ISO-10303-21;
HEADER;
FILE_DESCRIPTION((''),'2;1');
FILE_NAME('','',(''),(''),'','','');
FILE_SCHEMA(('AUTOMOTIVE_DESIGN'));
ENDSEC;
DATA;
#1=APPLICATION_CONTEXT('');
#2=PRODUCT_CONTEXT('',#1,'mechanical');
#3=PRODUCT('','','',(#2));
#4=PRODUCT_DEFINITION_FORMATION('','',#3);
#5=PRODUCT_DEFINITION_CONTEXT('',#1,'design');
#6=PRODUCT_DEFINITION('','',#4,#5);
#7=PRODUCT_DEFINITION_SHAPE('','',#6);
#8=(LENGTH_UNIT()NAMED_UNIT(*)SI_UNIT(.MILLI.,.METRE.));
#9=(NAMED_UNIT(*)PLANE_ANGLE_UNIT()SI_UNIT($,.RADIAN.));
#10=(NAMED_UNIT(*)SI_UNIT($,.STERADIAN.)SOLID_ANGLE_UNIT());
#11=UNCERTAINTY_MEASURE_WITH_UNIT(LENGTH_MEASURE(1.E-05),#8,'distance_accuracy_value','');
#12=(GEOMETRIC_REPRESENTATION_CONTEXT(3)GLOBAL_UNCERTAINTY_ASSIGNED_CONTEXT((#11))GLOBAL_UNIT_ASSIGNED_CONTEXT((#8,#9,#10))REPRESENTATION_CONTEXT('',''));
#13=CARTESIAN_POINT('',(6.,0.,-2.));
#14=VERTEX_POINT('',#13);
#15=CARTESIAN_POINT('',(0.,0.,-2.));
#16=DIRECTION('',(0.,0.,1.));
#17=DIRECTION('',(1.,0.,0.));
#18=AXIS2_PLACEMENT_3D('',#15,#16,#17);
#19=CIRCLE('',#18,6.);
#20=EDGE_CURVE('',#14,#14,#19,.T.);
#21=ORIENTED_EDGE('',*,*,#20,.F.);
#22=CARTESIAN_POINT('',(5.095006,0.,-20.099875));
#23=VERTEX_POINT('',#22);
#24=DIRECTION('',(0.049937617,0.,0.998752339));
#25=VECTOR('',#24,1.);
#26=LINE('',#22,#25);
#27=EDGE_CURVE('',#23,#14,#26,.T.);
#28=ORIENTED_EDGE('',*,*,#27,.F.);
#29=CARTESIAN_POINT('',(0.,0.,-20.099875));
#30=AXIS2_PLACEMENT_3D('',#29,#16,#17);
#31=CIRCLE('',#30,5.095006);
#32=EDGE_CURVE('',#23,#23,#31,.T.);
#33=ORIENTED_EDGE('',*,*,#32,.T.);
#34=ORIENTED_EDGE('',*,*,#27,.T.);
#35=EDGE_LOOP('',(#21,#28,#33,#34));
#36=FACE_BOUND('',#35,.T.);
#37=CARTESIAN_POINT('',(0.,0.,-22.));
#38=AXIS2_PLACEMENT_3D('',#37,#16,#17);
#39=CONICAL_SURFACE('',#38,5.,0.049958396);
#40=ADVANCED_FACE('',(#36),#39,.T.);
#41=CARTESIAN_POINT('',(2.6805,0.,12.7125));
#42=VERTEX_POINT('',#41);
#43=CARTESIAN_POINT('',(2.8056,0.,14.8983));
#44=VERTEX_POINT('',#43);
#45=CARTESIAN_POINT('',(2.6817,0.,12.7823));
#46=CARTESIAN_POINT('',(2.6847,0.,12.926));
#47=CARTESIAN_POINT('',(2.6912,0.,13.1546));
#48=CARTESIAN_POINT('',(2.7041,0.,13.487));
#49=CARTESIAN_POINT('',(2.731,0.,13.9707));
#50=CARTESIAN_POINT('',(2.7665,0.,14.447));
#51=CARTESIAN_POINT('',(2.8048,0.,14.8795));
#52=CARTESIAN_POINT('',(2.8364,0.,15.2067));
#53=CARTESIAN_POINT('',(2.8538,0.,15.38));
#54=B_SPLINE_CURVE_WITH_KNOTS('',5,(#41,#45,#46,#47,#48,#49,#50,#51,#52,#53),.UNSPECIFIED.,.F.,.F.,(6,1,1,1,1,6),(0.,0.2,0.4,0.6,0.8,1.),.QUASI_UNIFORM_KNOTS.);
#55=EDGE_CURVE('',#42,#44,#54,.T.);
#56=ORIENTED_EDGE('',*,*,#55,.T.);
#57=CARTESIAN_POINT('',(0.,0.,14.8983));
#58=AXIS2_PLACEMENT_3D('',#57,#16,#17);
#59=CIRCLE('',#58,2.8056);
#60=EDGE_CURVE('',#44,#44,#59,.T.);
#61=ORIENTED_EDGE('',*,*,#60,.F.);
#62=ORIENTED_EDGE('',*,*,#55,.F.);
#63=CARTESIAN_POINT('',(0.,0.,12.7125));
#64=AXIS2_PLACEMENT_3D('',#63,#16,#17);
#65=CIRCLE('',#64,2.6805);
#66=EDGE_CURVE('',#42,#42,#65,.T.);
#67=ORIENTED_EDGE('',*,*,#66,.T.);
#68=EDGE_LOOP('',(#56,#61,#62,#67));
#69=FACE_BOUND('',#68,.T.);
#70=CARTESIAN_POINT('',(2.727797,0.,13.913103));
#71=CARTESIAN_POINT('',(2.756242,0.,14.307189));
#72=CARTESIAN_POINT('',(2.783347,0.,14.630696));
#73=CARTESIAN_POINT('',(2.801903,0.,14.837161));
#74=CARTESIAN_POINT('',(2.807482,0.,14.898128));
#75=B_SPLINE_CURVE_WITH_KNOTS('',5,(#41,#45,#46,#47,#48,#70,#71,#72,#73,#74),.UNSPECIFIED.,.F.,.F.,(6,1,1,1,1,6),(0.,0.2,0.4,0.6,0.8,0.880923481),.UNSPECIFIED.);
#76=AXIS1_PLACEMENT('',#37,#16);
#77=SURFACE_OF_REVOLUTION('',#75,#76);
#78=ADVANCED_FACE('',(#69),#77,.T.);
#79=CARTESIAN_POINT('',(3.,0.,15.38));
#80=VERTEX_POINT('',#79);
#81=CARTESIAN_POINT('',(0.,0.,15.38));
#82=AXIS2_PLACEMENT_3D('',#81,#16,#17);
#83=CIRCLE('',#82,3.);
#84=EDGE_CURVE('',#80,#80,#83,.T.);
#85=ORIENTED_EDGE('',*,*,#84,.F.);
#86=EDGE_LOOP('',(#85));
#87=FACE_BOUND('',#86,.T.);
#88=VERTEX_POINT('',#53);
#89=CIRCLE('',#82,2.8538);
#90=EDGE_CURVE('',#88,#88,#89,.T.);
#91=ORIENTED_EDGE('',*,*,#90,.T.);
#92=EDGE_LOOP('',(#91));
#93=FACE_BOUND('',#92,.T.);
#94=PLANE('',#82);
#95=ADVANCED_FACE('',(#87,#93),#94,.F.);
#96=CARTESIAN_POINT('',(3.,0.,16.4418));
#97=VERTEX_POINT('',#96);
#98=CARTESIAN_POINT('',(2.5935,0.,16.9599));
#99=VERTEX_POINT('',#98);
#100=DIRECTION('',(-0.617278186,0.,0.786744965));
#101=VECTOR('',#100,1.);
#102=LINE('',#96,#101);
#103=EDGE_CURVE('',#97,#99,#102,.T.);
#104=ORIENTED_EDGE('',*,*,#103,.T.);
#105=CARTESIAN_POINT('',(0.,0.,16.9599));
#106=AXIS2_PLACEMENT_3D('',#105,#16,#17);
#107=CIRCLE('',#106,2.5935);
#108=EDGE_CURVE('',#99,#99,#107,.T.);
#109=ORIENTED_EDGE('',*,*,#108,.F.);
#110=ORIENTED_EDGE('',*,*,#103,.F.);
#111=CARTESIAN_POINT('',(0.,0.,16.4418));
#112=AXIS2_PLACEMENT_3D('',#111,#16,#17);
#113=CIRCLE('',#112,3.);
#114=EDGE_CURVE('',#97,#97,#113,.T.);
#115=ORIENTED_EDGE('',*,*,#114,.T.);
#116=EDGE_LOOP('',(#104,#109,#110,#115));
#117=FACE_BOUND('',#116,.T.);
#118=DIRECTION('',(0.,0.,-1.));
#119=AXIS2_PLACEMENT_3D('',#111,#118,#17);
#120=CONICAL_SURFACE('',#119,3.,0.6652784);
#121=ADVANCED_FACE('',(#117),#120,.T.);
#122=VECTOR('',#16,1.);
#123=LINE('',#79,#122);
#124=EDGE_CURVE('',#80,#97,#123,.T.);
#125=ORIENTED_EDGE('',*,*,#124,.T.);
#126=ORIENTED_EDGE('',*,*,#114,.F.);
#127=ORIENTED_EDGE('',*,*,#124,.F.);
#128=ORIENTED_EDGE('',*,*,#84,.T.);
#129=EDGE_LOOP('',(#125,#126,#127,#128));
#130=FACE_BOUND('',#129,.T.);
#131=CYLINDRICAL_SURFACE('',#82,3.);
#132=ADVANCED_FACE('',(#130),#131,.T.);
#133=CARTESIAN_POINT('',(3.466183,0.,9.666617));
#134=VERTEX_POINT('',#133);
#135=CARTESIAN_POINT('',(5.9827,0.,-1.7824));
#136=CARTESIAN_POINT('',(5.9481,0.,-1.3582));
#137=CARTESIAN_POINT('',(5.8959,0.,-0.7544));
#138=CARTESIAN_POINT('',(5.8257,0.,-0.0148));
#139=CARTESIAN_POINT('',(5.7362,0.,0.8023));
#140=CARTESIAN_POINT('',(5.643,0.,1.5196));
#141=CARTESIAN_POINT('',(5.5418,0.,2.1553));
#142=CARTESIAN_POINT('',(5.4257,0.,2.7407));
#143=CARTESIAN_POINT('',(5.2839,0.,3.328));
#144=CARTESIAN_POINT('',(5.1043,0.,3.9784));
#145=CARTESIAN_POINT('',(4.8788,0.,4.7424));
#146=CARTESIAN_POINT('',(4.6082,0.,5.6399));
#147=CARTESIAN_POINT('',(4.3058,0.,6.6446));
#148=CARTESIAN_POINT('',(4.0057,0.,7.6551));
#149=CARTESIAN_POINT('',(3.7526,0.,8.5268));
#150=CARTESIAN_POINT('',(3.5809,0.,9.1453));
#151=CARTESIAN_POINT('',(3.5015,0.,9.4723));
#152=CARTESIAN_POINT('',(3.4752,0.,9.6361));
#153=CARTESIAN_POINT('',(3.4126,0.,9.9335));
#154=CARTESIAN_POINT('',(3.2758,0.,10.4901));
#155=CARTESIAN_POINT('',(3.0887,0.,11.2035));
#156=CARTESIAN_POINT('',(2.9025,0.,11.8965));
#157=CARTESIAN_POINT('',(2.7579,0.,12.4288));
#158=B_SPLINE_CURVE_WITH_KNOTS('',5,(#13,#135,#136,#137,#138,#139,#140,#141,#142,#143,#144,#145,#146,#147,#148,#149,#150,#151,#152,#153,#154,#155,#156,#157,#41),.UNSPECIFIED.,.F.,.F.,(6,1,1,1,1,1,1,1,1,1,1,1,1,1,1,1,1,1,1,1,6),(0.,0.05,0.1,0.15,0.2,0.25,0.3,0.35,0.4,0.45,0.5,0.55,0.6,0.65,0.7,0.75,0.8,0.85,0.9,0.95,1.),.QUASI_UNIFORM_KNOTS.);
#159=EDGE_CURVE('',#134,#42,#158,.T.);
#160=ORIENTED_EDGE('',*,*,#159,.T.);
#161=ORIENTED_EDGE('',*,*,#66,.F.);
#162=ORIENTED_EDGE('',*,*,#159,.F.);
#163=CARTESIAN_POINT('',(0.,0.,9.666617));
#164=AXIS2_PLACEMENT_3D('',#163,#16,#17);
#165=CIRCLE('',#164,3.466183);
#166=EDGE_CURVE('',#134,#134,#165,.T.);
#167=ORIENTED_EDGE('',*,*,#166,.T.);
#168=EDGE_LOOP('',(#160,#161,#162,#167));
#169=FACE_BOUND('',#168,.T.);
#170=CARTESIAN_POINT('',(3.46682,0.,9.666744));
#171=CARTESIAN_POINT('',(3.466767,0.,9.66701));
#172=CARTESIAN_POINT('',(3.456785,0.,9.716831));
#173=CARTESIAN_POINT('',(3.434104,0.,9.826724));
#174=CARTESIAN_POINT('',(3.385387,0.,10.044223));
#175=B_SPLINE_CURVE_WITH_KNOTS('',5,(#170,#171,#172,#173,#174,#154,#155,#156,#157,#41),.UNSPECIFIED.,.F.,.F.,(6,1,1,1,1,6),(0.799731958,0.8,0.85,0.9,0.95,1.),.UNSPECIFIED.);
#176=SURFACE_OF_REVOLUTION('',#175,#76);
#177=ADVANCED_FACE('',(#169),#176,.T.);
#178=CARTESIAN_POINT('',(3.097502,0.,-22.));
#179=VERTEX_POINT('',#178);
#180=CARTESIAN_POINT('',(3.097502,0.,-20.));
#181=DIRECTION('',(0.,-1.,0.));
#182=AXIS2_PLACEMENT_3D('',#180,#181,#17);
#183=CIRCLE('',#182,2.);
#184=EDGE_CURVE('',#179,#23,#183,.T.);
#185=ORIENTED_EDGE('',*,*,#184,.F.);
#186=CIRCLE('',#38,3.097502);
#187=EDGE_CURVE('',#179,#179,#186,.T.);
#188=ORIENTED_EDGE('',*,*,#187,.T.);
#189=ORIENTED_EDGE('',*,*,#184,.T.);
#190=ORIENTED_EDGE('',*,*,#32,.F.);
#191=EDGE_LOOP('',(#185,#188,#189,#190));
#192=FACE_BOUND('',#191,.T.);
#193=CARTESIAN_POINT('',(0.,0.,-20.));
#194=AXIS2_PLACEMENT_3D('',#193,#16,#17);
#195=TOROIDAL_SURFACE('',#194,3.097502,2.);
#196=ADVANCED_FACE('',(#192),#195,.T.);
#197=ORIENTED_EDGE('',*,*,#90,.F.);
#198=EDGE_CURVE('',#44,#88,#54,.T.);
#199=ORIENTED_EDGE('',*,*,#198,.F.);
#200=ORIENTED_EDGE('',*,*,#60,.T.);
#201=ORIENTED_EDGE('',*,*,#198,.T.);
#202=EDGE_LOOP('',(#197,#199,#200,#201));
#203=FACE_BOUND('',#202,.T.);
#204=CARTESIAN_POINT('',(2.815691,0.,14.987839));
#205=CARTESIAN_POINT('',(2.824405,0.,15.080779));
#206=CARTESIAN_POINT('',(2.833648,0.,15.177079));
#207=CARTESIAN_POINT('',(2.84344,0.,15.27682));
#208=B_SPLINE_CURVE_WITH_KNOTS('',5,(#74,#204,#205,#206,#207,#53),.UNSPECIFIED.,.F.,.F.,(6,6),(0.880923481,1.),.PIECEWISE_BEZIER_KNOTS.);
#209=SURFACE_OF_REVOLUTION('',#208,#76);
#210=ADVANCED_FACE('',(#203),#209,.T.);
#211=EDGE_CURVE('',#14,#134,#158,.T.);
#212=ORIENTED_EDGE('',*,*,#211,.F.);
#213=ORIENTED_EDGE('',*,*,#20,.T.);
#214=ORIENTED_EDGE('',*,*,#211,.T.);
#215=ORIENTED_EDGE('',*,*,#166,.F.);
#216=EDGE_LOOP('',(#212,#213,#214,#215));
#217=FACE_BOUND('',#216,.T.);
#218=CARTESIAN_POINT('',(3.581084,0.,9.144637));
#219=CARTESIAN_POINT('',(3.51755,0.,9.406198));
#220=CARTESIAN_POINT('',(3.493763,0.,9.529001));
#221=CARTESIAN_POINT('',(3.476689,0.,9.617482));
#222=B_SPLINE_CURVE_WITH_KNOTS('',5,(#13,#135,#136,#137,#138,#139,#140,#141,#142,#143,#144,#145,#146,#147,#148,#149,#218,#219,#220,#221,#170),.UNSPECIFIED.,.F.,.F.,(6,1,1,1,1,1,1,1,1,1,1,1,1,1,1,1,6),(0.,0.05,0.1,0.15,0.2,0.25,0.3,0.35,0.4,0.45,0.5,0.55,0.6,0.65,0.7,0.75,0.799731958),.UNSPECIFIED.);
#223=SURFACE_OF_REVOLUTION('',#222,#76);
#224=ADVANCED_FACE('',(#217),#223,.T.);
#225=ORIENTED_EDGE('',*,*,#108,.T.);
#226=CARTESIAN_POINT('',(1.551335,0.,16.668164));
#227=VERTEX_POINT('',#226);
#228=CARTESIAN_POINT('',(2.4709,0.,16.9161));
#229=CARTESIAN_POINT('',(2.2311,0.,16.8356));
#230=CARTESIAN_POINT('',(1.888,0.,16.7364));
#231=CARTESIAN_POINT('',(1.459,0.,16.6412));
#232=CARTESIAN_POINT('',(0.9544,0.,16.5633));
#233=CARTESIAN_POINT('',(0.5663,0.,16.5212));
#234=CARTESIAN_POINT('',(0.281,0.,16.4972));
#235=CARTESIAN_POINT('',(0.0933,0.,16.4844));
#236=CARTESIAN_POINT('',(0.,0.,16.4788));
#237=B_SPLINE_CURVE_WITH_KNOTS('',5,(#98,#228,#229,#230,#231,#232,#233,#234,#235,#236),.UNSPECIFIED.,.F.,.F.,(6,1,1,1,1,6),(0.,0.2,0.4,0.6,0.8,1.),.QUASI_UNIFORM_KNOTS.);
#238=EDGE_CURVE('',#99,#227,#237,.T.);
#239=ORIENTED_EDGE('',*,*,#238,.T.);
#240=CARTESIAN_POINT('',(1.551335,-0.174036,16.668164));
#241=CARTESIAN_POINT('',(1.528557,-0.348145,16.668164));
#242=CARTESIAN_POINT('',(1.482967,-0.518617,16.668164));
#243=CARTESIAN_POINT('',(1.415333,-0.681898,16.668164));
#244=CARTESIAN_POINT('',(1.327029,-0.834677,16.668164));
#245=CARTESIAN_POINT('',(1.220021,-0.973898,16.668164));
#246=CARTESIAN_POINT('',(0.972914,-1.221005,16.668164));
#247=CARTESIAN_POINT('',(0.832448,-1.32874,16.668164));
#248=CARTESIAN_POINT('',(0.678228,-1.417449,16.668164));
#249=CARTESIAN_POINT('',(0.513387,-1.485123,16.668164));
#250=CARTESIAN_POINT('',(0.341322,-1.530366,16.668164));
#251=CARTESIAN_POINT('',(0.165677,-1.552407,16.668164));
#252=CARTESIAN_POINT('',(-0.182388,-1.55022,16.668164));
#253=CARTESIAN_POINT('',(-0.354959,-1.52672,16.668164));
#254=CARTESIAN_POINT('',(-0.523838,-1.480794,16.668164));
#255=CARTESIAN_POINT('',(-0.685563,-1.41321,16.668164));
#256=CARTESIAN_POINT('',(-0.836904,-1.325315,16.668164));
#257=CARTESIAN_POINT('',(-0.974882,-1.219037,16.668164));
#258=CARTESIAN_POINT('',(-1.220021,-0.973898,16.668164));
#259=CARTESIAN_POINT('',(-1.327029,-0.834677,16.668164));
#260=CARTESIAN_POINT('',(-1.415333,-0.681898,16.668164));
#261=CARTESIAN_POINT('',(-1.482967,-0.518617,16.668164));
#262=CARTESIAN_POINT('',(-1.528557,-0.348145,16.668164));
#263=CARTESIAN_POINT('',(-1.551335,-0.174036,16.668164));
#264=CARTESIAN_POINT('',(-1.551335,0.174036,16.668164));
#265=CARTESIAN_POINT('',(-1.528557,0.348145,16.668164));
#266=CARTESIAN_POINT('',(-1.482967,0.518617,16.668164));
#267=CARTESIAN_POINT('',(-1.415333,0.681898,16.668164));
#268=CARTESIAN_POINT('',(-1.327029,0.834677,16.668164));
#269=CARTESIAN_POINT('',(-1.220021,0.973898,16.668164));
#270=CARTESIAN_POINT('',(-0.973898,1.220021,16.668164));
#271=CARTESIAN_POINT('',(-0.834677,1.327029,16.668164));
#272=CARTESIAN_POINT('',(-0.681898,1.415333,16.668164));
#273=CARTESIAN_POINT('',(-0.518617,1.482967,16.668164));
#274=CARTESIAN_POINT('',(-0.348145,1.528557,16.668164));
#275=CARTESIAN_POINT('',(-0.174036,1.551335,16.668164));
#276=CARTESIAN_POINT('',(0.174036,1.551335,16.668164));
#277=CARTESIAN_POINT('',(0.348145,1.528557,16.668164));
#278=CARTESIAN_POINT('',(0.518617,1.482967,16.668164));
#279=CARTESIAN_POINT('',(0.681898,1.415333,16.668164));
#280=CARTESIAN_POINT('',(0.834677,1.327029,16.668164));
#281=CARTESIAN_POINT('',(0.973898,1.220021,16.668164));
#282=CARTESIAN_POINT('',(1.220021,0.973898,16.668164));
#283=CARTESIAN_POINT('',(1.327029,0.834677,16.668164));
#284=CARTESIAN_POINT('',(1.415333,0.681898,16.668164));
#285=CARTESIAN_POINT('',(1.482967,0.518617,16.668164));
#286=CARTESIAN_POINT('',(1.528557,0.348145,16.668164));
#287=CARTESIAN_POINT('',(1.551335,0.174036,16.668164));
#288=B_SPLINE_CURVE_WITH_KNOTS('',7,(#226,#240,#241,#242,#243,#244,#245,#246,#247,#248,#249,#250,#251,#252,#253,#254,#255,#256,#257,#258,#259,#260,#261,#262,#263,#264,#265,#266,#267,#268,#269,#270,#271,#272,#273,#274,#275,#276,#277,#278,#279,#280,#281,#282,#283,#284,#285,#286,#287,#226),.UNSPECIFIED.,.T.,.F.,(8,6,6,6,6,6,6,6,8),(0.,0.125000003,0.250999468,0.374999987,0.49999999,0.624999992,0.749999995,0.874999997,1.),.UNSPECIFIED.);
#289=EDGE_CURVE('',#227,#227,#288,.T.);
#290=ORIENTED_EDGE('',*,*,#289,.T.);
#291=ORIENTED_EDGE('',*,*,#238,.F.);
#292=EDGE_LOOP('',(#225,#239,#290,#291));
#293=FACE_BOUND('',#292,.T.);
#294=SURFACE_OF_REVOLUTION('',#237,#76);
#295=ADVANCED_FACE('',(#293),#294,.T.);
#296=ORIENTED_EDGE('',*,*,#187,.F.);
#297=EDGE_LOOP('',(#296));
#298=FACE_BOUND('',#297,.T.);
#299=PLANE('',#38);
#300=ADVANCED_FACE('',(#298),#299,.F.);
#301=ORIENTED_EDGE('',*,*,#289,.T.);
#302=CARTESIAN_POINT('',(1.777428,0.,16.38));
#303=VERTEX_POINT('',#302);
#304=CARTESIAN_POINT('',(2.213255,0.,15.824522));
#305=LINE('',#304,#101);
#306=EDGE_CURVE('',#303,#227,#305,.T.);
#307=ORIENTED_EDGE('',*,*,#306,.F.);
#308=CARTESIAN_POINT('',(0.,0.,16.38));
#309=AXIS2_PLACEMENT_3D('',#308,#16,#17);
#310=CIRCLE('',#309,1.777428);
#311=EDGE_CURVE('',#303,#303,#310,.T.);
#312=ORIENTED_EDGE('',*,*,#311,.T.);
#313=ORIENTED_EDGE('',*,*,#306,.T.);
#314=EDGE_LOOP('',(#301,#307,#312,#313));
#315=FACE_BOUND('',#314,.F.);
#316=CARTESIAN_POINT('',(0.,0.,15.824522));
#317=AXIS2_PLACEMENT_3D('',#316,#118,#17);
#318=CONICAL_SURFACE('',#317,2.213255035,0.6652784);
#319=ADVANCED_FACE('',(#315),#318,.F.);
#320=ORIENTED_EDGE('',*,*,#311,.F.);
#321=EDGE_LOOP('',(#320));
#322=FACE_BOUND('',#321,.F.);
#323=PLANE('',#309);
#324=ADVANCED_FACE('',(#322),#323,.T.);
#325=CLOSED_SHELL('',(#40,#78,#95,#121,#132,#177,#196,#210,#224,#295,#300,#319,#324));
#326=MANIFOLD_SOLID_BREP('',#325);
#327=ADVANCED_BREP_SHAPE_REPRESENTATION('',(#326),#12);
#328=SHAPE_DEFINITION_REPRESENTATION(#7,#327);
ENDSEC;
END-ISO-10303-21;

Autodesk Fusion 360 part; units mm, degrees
sketch "Sketch1" plane through (0, 0, 0) normal (0, 1, 0) x (1, 0, 0)
  line L0 (0, 22) -> (0, -20)
  line L1 (0, -20) -> (0, 22)
  line L2 (0, 22) -> (5, 22)
  line L3 (5, 22) -> (6, 2)
  line L4 (6, 2) -> (5.5, 12)
  spline S0 degree 5 poles (6, 2) (5.9827, 1.7824) (5.9481, 1.3582) (5.8959, 0.7544) (5.8257, 0.0148) (5.7362, -0.8023) (5.643, -1.5196) (5.5418, -2.1553) (5.4257, -2.7407) (5.2839, -3.328) (5.1043, -3.9784) (4.8788, -4.7424) (4.6082, -5.6399) (4.3058, -6.6446) (4.0057, -7.6551) (3.7526, -8.5268) (3.5809, -9.1453) (3.5015, -9.4723) (3.4752, -9.6361) (3.4126, -9.9335) (3.2758, -10.4901) (3.0887, -11.2035) (2.9025, -11.8965) (2.7579, -12.4288) (2.6805, -12.7125) knots 0 0 0 0 0 0 0.05 0.1 0.15 0.2 0.25 0.3 0.35 0.4 0.45 0.5 0.55 0.6 0.65 0.7 0.75 0.8 0.85 0.9 0.95 1 1 1 1 1 1
  spline S1 degree 5 poles (2.6805, -12.7125) (2.6817, -12.7823) (2.6847, -12.926) (2.6912, -13.1546) (2.7041, -13.487) (2.731, -13.9707) (2.7665, -14.447) (2.8048, -14.8795) (2.8364, -15.2067) (2.8538, -15.38) knots 0 0 0 0 0 0 0.2 0.4 0.6 0.8 1 1 1 1 1 1
  line L5 (2.8056, -14.8983) -> (2.9019, -15.8617)
  line L6 (3.6055, -8.9902) -> (3.3945, -10.0098)
  line L7 (2.8538, -15.38) -> (3, -15.38)
  line L8 (3, -15.38) -> (3, -16.4418)
  line L9 (3, -16.4418) -> (2.5935, -16.9599)
  spline S2 degree 5 poles (2.5935, -16.9599) (2.4709, -16.9161) (2.2311, -16.8356) (1.888, -16.7364) (1.459, -16.6412) (0.9544, -16.5633) (0.5663, -16.5212) (0.281, -16.4972) (0.0933, -16.4844) (0, -16.4788) knots 0 0 0 0 0 0 0.2 0.4 0.6 0.8 1 1 1 1 1 1
  line L10 (2.9043, -17.0709) -> (2.2828, -16.8488)
  point P0 (5.5, -2.3487)
  point P1 (4.5, -6)
  point P2 (3.5, -9.5)
revolve "Revolve1" add sketch "Sketch1" angle 360 about axis through (0, 0, -22) along (0, 0, 1)
fillet "Fillet1" radius 2 1 faces at (-0.3379, -0.3642, -22)
shell "Shell1" thickness 1 removed faces 1 at (0.3369, 1.7219, 16.7123)
